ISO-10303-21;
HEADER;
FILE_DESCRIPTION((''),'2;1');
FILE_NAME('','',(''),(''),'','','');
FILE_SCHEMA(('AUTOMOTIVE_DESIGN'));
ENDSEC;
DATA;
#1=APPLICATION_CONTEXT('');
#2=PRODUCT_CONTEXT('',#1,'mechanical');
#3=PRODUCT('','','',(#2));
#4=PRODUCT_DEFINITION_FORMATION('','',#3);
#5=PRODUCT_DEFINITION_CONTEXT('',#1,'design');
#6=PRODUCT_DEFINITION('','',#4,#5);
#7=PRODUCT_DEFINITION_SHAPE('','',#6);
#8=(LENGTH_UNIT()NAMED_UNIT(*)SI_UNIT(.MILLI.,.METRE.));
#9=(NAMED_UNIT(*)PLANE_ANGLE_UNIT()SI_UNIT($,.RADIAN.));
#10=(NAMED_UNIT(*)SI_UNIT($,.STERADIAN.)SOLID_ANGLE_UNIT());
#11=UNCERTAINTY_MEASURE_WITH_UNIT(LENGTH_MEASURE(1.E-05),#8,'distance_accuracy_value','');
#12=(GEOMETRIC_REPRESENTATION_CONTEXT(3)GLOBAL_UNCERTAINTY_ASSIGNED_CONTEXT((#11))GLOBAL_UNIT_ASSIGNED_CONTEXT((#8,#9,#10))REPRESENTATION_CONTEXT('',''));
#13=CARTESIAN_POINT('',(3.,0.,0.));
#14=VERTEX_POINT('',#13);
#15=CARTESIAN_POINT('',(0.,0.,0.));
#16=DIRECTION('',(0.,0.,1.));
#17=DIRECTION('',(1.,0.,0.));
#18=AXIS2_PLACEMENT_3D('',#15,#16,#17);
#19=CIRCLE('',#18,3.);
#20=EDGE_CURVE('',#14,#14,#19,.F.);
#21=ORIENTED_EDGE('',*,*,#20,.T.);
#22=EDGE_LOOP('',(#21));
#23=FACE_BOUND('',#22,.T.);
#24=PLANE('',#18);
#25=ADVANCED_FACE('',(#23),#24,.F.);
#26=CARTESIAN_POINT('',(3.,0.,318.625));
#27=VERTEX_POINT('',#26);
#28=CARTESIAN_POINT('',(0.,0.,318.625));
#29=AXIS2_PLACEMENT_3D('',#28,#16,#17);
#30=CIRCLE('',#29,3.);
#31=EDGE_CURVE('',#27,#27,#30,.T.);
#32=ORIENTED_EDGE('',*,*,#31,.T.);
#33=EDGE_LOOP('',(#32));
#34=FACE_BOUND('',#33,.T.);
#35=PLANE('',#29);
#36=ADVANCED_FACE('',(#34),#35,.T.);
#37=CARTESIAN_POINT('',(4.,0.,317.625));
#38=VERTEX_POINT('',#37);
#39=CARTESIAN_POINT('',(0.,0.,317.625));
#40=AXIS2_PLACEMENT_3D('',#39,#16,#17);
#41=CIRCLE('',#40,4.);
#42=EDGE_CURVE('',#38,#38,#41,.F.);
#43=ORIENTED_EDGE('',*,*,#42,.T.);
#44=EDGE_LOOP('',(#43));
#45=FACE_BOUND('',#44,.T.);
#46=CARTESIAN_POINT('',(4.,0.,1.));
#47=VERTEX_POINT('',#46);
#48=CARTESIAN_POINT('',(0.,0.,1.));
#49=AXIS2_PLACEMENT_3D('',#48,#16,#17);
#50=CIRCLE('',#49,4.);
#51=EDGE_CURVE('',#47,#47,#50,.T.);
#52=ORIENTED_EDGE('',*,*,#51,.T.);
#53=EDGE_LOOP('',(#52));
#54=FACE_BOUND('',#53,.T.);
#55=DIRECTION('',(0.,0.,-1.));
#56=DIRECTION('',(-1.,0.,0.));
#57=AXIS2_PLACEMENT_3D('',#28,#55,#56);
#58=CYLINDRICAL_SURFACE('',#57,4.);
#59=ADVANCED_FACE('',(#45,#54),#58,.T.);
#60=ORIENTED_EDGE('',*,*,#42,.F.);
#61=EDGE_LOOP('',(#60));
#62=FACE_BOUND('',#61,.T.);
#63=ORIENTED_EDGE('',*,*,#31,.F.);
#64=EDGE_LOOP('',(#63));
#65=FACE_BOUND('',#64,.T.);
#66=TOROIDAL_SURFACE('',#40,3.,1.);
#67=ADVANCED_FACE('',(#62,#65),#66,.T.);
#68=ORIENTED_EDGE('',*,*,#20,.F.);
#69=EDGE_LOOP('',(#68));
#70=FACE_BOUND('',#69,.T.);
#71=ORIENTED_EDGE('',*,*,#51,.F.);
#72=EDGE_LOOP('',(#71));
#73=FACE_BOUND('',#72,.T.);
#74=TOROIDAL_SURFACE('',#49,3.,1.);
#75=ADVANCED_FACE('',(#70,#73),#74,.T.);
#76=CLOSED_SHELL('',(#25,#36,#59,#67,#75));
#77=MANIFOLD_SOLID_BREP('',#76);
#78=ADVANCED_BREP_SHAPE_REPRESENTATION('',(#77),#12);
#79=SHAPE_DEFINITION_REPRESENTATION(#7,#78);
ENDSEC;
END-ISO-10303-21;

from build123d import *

# Parameters (mm, degrees)
SKETCH1_R      = 4
EXTRUDE2_DEPTH = 318.625
FILLET2_R      = 1
FILLET3_R      = 1


with BuildPart() as part:
    # Sketch1 → Extrude2 (new body)
    with BuildSketch(Plane.XY):
        Circle(SKETCH1_R)
    extrude(amount=EXTRUDE2_DEPTH)

    # Fillet2
    fillet2_edges = [part.edges().sort_by_distance(p)[0] for p in [
        (-4, 0, 0),
    ]]
    fillet(fillet2_edges, radius=FILLET2_R)

    # Fillet3
    fillet3_edges = [part.edges().sort_by_distance(p)[0] for p in [
        (-4, 0, 318.625),
    ]]
    fillet(fillet3_edges, radius=FILLET3_R)


solid = part.part
